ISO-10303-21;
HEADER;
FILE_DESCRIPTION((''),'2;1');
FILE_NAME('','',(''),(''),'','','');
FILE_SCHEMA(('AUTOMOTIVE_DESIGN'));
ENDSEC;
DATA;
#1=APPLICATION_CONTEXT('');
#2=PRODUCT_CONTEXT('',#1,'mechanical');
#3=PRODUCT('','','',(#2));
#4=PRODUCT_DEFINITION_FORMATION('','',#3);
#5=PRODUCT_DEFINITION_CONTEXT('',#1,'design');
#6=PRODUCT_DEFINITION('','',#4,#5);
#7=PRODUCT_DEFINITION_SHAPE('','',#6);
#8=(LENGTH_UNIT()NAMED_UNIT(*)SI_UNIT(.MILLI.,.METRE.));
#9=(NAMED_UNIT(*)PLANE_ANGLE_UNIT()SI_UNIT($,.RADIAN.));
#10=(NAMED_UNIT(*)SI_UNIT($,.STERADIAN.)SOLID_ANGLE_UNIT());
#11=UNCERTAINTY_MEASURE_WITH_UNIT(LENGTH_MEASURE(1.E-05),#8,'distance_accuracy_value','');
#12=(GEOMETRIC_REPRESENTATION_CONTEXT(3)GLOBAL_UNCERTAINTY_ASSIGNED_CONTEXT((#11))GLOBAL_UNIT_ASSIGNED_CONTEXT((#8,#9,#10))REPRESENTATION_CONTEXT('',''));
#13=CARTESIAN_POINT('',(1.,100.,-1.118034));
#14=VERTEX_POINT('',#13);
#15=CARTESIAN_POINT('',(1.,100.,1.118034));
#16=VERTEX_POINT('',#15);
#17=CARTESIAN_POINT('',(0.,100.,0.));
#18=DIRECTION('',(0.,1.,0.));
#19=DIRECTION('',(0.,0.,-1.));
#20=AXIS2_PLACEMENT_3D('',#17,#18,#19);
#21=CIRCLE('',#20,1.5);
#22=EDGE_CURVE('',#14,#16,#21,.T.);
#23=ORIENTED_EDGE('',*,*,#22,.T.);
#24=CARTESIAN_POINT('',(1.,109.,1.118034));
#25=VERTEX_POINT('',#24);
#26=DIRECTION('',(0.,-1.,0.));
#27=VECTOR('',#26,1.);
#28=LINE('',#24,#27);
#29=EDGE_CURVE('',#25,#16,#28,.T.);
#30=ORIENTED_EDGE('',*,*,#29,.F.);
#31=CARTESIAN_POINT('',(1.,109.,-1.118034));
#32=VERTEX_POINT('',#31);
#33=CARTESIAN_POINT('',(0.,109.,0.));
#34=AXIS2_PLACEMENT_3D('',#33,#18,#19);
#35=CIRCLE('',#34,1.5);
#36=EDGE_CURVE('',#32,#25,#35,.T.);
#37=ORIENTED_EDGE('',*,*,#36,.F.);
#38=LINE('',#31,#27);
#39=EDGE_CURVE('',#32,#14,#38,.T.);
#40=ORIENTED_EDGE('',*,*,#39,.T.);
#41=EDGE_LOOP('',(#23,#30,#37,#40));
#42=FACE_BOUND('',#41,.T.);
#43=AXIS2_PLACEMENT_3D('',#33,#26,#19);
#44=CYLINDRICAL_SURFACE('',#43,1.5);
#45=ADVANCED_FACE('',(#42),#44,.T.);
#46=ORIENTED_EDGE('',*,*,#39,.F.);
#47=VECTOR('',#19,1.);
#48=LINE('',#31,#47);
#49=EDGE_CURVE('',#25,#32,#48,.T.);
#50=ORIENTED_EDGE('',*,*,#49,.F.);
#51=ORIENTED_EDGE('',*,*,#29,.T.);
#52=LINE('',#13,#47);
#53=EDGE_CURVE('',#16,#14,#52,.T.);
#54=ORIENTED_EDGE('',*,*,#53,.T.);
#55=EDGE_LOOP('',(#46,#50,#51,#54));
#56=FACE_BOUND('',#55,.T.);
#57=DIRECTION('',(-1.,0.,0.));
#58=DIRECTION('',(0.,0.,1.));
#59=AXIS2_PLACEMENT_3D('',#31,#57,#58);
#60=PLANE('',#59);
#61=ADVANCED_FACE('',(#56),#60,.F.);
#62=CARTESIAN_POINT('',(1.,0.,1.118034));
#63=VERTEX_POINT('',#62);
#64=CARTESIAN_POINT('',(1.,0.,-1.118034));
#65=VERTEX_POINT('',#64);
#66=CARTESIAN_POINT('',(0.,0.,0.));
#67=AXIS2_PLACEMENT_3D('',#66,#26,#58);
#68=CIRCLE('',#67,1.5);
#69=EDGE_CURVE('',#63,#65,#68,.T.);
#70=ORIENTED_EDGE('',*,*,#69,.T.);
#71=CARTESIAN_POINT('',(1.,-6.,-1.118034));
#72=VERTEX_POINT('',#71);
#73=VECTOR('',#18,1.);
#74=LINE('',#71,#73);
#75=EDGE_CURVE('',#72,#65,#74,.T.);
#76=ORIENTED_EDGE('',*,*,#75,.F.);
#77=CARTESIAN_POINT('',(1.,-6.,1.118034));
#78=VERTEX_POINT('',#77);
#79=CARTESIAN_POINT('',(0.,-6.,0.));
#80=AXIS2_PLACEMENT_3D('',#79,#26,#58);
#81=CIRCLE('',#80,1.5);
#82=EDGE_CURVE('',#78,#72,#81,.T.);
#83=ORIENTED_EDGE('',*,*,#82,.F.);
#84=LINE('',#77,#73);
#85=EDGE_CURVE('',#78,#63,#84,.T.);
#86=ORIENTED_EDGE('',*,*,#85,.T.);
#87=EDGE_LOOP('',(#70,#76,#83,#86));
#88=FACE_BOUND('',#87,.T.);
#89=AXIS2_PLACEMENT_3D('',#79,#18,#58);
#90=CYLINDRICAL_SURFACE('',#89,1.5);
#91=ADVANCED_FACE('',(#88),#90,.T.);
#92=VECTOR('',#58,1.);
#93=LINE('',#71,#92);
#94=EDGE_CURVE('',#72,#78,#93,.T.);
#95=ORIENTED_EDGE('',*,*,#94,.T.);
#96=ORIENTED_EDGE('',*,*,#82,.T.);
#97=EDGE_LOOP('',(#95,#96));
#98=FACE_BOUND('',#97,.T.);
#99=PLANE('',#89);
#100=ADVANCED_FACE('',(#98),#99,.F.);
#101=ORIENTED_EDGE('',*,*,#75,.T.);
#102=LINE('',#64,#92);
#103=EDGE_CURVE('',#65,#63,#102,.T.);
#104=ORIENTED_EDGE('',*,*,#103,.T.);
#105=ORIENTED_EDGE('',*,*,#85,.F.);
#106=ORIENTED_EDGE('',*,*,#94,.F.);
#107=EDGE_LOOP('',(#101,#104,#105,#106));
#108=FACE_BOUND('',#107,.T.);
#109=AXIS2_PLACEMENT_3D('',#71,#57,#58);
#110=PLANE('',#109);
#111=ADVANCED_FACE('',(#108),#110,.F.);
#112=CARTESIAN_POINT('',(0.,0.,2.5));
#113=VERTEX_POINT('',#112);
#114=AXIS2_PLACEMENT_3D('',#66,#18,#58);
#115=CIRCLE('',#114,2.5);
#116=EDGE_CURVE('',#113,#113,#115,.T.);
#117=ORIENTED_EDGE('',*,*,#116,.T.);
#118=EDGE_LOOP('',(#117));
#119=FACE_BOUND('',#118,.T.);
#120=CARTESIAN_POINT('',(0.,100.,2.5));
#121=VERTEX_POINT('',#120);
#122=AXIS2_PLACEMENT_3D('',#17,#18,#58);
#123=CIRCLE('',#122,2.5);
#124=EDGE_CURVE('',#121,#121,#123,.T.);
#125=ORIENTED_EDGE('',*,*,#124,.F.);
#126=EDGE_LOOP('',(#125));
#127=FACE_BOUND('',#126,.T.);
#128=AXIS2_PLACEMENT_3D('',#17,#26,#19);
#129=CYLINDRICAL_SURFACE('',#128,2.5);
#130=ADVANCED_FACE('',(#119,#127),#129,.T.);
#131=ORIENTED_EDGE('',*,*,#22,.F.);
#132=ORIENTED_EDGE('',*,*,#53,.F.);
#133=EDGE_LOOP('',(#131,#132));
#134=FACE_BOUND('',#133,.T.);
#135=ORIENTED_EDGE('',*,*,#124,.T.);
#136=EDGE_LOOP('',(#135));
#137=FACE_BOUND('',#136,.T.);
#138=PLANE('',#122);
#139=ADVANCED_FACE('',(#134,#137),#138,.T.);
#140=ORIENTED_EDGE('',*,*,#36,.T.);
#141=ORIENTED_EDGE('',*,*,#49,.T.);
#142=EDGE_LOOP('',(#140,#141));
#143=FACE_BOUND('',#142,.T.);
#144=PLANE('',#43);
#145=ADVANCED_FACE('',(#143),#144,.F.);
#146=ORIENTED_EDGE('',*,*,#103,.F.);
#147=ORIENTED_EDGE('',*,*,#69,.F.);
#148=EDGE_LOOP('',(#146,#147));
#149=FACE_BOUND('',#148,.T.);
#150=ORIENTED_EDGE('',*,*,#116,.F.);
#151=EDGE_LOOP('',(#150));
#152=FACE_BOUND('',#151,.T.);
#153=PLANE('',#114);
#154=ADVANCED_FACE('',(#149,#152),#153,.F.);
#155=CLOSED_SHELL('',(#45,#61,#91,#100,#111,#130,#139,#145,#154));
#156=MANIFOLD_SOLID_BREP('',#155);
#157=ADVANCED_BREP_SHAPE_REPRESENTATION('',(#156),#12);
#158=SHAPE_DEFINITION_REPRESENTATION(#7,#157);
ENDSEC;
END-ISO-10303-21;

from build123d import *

# Parameters (mm, degrees)
SKETCH_1_R      = 2.5
EXTRUDE_1_DEPTH = 100
EXTRUDE_2_DEPTH = 9
EXTRUDE_START   = 6
EXTRUDE_3_DEPTH = 6


with BuildPart() as part:
    # 草图1 → 凸台-拉伸1 (new body)
    with BuildSketch(Plane(origin=(0, 0, 0), x_dir=(1, 0, 0), z_dir=(0, 1, 0))):
        with Locations(Location((0, 0, 0), (0, 0, 270))):
            Circle(SKETCH_1_R)
    extrude(amount=EXTRUDE_1_DEPTH)

    # 草图2 → 凸台-拉伸2 (add)
    with BuildSketch(Plane(origin=(0, 100, 0), x_dir=(1, 0, 0), z_dir=(0, 1, 0))):
        with BuildLine():
            Line((1, 1.118033989), (1, -1.118033989))
            ThreePointArc((1, -1.118033989), (-1.5, 0), (1, 1.118033989))
        make_face()
    extrude(amount=EXTRUDE_2_DEPTH)

    # 草图3 → 凸台-拉伸3 (add)
    with BuildSketch(Plane.XZ.offset(EXTRUDE_START)):
        with BuildLine():
            Line((1, -1.118033989), (1, 1.118033989))
            ThreePointArc((1, 1.118033989), (-1.5, 0), (1, -1.118033989))
        make_face()
    extrude(amount=-EXTRUDE_3_DEPTH)


solid = part.part
